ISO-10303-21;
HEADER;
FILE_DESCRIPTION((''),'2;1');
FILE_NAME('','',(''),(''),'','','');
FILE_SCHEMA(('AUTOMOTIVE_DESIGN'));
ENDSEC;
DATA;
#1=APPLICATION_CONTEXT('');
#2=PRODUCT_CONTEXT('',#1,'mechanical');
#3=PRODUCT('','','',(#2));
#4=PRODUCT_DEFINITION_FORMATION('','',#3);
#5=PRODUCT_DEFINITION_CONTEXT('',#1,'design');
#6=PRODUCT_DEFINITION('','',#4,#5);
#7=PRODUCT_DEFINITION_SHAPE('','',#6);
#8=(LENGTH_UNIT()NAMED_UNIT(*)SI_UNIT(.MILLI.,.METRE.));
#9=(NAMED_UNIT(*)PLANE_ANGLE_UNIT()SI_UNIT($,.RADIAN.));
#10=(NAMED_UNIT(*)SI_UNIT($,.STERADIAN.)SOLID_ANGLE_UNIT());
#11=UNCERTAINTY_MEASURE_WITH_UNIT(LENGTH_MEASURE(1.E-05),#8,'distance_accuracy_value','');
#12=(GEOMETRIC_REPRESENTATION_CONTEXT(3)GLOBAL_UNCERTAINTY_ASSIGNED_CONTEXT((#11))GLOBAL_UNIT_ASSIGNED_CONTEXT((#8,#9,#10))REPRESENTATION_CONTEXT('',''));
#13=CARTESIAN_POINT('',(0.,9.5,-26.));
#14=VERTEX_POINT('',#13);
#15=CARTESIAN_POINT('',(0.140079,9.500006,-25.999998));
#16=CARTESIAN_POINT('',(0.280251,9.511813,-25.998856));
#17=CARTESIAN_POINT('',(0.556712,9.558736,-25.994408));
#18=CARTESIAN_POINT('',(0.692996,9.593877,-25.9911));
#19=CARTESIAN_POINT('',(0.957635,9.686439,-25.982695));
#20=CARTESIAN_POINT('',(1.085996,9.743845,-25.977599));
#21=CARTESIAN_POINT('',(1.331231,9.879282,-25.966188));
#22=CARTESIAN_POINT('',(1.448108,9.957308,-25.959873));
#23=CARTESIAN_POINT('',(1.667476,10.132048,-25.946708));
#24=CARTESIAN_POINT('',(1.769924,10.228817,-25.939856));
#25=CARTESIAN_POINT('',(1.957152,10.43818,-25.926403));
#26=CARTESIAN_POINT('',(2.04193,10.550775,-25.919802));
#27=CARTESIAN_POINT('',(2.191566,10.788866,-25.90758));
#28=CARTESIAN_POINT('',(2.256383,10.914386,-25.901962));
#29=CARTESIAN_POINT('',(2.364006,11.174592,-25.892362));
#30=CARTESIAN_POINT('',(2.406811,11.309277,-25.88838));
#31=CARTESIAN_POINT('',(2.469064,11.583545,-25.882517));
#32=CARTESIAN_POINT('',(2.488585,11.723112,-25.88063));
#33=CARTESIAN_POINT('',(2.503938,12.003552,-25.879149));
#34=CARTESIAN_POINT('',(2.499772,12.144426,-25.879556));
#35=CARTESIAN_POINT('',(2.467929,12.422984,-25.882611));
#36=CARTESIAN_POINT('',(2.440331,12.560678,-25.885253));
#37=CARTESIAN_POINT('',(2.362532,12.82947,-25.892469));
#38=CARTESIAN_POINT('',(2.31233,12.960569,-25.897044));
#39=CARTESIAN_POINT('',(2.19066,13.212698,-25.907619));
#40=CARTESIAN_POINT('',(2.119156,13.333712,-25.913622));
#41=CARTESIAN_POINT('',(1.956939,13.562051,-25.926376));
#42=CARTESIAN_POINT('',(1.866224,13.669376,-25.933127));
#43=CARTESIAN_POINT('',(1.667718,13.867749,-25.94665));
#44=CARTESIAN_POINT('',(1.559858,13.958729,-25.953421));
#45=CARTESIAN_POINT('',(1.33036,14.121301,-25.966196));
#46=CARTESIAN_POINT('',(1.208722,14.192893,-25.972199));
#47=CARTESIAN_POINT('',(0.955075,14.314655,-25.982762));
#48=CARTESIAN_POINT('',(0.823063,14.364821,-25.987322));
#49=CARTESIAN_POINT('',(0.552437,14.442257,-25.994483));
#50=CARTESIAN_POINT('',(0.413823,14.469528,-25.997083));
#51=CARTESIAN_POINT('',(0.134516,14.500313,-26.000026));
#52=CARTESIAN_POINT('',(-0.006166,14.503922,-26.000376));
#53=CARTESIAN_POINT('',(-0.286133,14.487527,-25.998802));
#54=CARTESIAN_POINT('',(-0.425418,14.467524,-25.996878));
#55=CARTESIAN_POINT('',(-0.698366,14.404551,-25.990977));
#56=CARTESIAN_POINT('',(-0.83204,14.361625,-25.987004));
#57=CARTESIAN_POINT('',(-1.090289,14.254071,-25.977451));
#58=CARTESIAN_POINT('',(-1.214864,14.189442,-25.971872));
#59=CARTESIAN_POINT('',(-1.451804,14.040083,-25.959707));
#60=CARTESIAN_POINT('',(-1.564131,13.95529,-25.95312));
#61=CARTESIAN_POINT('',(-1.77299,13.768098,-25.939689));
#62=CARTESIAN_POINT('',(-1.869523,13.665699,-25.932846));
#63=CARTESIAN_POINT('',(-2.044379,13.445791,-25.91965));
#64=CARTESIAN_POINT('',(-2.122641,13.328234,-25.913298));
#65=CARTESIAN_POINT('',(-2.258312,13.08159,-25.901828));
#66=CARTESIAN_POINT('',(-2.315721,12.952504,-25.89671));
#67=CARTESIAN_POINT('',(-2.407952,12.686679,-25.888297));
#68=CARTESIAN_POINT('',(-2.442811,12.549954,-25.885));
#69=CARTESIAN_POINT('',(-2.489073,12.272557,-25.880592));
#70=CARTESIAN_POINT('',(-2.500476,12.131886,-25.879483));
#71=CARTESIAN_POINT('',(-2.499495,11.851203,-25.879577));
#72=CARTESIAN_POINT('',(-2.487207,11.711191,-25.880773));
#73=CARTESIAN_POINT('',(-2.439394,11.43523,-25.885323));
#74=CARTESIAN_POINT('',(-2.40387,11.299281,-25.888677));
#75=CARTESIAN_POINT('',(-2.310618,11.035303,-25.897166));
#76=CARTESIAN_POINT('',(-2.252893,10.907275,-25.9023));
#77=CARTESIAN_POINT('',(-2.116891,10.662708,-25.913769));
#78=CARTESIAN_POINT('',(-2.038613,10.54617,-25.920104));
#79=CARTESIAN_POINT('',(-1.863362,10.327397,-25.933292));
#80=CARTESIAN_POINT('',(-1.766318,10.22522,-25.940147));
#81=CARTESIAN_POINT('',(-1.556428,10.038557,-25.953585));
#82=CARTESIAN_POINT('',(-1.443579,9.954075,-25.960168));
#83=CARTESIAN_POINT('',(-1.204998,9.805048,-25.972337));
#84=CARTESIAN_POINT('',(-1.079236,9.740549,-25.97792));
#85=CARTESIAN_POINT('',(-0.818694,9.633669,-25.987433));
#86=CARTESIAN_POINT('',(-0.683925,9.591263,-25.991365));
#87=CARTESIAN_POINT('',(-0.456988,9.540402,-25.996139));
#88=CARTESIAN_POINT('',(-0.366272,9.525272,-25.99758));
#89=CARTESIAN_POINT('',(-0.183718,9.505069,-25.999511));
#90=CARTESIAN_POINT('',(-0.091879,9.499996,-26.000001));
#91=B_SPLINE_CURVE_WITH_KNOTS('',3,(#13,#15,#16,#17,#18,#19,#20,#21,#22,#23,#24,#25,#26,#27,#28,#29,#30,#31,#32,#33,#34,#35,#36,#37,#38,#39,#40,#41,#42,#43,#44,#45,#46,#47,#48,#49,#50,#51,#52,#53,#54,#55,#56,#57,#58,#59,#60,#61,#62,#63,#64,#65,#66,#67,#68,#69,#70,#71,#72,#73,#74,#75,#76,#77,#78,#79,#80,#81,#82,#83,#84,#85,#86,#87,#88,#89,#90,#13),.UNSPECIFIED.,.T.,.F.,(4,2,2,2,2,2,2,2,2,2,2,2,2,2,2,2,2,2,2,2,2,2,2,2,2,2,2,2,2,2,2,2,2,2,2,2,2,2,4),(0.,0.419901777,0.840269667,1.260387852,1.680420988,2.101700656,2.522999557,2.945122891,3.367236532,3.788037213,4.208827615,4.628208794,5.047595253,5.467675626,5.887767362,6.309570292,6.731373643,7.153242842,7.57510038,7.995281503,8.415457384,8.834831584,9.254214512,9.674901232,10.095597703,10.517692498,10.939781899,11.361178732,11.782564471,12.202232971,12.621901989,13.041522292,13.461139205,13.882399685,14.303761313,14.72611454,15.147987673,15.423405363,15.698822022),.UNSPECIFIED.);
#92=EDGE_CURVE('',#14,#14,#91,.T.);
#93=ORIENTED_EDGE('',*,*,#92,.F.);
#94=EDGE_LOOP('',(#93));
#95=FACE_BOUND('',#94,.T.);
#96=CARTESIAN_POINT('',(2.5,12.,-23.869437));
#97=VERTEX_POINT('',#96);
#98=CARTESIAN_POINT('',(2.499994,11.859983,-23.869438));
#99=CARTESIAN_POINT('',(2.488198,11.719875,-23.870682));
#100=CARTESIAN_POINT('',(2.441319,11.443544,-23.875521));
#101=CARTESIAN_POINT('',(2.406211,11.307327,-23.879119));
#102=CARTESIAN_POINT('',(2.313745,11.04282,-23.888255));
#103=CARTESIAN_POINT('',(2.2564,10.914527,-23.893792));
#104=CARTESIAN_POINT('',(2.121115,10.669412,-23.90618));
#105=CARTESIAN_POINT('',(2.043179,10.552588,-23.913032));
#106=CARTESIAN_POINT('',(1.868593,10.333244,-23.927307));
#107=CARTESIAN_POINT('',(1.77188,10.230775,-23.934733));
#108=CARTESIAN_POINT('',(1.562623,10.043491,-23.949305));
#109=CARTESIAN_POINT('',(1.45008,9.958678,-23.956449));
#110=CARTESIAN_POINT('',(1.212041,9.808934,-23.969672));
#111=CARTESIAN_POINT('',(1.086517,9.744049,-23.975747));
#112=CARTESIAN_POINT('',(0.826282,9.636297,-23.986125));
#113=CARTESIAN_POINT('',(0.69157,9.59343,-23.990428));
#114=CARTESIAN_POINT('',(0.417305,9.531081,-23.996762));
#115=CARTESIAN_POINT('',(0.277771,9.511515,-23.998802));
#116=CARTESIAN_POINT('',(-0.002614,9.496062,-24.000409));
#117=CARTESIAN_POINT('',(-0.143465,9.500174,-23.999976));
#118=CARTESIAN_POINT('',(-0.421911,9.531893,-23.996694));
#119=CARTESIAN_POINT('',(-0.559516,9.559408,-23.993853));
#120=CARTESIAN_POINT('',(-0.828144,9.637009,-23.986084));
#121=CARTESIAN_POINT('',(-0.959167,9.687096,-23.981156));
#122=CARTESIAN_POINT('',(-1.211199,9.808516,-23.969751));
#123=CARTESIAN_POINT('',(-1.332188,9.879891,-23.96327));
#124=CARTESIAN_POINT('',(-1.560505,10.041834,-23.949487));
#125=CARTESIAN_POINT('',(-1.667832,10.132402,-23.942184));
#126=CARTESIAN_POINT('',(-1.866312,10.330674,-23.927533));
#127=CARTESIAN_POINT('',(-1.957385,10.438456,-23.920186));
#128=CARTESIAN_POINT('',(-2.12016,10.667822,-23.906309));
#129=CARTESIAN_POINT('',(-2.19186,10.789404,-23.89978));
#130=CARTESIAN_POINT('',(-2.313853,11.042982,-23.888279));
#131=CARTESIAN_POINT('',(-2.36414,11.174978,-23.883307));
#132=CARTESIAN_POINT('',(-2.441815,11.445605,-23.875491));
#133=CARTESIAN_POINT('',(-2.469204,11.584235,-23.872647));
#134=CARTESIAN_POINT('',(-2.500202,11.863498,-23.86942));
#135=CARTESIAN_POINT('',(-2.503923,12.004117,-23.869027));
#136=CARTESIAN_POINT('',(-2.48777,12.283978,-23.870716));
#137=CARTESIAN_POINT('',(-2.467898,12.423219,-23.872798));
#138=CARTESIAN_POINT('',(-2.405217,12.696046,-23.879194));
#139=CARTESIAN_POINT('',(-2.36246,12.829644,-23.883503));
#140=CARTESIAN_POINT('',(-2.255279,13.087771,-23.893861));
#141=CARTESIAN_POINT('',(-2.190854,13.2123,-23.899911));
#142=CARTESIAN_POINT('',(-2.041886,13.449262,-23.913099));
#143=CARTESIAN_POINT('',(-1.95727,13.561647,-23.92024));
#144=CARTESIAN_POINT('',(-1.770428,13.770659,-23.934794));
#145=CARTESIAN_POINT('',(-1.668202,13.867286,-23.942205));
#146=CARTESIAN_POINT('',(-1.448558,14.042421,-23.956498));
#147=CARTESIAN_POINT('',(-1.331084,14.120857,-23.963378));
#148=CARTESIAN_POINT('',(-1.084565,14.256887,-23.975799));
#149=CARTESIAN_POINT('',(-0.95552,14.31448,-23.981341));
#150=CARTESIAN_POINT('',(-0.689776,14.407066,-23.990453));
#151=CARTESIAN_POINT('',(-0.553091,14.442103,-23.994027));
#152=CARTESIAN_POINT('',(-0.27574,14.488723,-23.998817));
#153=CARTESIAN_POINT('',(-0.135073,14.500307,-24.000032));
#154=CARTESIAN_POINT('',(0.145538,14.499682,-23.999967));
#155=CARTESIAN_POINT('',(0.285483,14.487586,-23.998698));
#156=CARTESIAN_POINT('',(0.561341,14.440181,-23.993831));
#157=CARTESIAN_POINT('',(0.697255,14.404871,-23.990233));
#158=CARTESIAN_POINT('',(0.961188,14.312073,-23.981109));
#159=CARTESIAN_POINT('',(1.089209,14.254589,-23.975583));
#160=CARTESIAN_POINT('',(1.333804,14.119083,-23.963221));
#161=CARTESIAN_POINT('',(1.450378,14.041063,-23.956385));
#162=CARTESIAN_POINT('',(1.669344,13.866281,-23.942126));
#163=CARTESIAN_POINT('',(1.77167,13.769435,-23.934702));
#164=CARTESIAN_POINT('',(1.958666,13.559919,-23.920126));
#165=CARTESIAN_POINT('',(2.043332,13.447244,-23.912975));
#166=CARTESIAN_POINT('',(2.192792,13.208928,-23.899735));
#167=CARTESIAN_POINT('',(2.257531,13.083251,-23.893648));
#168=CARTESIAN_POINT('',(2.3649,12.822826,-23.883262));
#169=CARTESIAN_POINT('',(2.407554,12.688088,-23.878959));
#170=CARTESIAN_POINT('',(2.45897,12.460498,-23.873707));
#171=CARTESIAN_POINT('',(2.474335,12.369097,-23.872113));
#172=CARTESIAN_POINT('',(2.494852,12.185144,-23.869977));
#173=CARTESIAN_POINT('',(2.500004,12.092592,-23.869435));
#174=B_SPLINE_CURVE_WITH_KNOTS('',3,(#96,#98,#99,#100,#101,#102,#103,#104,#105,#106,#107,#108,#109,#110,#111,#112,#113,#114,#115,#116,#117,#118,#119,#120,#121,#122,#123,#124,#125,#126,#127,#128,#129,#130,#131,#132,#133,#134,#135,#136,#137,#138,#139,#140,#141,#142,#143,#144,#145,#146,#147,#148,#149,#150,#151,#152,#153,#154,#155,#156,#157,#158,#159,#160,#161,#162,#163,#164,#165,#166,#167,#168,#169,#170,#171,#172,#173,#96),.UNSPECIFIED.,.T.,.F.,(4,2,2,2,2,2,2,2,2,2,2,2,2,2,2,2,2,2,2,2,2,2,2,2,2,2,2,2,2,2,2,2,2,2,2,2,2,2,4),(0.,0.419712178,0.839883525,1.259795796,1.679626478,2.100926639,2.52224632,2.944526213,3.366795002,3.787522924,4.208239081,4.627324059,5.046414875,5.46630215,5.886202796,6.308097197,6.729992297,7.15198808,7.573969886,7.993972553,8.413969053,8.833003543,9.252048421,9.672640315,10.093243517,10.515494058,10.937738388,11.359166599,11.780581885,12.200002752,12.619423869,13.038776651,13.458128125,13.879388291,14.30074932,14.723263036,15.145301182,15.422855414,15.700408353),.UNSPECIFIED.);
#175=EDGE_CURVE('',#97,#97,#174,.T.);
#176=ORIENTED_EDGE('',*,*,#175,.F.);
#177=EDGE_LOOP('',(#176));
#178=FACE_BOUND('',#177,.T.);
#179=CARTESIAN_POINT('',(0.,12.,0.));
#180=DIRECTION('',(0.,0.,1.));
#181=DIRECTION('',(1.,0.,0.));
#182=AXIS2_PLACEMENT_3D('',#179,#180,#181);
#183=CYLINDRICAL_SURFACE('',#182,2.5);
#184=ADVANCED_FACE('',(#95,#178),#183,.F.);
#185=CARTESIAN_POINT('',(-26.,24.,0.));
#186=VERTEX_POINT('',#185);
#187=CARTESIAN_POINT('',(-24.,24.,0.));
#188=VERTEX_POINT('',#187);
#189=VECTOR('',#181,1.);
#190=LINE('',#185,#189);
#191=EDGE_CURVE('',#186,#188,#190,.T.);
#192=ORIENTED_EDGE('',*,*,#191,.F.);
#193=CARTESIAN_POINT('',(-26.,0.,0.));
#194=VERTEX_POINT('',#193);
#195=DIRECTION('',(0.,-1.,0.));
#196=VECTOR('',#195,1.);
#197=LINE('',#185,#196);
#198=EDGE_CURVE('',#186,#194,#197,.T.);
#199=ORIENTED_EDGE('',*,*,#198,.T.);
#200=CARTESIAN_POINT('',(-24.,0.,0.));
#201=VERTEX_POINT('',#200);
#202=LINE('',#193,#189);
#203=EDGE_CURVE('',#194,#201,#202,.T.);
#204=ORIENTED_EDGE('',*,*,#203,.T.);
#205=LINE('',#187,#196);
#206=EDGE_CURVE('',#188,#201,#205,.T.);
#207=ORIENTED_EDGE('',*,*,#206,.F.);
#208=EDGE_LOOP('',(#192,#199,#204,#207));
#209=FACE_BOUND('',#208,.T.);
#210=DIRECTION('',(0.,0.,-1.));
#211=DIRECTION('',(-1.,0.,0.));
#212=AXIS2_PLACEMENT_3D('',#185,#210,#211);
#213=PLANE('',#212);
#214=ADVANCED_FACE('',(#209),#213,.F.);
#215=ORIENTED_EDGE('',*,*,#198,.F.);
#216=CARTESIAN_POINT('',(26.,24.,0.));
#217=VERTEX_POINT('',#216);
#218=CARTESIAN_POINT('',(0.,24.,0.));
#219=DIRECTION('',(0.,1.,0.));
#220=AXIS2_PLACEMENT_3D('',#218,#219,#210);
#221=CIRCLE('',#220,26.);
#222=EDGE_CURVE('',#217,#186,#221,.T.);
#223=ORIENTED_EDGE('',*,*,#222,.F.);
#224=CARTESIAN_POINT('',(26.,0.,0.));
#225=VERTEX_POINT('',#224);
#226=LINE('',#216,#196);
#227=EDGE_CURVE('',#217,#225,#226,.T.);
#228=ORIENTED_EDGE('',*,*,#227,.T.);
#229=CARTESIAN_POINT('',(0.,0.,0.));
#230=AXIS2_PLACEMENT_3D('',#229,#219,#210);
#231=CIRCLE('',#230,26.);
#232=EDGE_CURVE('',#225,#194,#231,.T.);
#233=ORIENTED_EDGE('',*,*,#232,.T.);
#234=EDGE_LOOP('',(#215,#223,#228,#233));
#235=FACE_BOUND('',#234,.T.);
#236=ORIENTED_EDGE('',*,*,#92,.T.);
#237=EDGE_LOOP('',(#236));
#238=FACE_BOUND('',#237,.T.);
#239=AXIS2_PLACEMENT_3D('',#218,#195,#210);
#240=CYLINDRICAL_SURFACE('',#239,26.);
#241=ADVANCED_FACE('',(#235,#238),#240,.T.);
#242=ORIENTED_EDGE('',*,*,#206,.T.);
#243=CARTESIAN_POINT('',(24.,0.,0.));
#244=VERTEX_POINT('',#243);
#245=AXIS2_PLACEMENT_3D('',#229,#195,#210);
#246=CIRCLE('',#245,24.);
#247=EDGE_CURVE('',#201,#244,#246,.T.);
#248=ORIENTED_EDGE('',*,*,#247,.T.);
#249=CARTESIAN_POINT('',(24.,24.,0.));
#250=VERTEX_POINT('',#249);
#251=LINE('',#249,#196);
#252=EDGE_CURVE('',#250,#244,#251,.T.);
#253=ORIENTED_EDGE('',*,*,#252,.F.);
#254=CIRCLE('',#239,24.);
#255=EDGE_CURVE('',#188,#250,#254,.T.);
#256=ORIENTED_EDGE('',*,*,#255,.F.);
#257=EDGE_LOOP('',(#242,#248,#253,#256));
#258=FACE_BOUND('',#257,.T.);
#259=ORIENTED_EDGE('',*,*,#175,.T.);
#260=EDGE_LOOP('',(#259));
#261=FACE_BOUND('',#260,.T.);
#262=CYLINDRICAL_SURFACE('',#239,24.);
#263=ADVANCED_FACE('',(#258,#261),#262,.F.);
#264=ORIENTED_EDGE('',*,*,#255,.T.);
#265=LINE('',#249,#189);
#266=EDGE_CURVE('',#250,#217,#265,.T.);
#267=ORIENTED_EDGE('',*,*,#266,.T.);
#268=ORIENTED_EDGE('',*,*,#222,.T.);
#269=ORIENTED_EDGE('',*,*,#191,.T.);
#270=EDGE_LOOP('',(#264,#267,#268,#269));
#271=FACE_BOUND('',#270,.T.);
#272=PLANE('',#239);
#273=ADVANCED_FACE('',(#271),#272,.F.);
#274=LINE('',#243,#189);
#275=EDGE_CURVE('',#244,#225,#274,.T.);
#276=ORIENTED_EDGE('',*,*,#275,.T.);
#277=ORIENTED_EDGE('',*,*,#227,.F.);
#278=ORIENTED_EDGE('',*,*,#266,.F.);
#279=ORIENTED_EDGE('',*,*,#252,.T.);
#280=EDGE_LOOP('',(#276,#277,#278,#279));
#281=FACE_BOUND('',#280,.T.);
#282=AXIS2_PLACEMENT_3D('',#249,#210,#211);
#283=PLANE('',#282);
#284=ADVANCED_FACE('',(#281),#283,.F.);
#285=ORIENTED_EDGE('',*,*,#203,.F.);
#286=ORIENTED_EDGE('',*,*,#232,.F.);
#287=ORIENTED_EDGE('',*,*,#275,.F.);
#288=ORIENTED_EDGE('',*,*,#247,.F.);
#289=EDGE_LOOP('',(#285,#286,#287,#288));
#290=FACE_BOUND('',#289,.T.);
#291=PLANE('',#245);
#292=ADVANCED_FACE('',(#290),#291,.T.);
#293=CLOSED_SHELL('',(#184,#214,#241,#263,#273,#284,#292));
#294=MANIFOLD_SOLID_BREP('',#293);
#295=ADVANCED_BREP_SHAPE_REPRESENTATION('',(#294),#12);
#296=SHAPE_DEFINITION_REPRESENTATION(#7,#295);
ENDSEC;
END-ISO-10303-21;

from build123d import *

# Parameters (mm, degrees)
EXTRUDE_1_DEPTH                 = 24
HOLE_WIZARD_5_0_5_1_D           = 5
HOLE_WIZARD_5_0_5_1_CSINK_D     = 5.05
HOLE_WIZARD_5_0_5_1_CSINK_ANGLE = 90


with BuildPart() as part:
    # 草图1 → 凸台-拉伸1 (new body)
    with BuildSketch(Plane(origin=(0, 0, 0), x_dir=(1, 0, 0), z_dir=(0, 1, 0))):
        with BuildLine():
            Line((-26, 0), (-24, 0))
            ThreePointArc((-24, 0), (0, 24), (24, 0))
            Line((24, 0), (26, 0))
            ThreePointArc((26, 0), (0, 26), (-26, 0))
        make_face()
    extrude(amount=EXTRUDE_1_DEPTH)

    # Ø5.0 (5) 直径孔1 (through all)
    with Locations(Plane.XY):
        with Locations((0, 12)):
            CounterSinkHole(HOLE_WIZARD_5_0_5_1_D / 2, HOLE_WIZARD_5_0_5_1_CSINK_D / 2, counter_sink_angle=HOLE_WIZARD_5_0_5_1_CSINK_ANGLE)


solid = part.part
